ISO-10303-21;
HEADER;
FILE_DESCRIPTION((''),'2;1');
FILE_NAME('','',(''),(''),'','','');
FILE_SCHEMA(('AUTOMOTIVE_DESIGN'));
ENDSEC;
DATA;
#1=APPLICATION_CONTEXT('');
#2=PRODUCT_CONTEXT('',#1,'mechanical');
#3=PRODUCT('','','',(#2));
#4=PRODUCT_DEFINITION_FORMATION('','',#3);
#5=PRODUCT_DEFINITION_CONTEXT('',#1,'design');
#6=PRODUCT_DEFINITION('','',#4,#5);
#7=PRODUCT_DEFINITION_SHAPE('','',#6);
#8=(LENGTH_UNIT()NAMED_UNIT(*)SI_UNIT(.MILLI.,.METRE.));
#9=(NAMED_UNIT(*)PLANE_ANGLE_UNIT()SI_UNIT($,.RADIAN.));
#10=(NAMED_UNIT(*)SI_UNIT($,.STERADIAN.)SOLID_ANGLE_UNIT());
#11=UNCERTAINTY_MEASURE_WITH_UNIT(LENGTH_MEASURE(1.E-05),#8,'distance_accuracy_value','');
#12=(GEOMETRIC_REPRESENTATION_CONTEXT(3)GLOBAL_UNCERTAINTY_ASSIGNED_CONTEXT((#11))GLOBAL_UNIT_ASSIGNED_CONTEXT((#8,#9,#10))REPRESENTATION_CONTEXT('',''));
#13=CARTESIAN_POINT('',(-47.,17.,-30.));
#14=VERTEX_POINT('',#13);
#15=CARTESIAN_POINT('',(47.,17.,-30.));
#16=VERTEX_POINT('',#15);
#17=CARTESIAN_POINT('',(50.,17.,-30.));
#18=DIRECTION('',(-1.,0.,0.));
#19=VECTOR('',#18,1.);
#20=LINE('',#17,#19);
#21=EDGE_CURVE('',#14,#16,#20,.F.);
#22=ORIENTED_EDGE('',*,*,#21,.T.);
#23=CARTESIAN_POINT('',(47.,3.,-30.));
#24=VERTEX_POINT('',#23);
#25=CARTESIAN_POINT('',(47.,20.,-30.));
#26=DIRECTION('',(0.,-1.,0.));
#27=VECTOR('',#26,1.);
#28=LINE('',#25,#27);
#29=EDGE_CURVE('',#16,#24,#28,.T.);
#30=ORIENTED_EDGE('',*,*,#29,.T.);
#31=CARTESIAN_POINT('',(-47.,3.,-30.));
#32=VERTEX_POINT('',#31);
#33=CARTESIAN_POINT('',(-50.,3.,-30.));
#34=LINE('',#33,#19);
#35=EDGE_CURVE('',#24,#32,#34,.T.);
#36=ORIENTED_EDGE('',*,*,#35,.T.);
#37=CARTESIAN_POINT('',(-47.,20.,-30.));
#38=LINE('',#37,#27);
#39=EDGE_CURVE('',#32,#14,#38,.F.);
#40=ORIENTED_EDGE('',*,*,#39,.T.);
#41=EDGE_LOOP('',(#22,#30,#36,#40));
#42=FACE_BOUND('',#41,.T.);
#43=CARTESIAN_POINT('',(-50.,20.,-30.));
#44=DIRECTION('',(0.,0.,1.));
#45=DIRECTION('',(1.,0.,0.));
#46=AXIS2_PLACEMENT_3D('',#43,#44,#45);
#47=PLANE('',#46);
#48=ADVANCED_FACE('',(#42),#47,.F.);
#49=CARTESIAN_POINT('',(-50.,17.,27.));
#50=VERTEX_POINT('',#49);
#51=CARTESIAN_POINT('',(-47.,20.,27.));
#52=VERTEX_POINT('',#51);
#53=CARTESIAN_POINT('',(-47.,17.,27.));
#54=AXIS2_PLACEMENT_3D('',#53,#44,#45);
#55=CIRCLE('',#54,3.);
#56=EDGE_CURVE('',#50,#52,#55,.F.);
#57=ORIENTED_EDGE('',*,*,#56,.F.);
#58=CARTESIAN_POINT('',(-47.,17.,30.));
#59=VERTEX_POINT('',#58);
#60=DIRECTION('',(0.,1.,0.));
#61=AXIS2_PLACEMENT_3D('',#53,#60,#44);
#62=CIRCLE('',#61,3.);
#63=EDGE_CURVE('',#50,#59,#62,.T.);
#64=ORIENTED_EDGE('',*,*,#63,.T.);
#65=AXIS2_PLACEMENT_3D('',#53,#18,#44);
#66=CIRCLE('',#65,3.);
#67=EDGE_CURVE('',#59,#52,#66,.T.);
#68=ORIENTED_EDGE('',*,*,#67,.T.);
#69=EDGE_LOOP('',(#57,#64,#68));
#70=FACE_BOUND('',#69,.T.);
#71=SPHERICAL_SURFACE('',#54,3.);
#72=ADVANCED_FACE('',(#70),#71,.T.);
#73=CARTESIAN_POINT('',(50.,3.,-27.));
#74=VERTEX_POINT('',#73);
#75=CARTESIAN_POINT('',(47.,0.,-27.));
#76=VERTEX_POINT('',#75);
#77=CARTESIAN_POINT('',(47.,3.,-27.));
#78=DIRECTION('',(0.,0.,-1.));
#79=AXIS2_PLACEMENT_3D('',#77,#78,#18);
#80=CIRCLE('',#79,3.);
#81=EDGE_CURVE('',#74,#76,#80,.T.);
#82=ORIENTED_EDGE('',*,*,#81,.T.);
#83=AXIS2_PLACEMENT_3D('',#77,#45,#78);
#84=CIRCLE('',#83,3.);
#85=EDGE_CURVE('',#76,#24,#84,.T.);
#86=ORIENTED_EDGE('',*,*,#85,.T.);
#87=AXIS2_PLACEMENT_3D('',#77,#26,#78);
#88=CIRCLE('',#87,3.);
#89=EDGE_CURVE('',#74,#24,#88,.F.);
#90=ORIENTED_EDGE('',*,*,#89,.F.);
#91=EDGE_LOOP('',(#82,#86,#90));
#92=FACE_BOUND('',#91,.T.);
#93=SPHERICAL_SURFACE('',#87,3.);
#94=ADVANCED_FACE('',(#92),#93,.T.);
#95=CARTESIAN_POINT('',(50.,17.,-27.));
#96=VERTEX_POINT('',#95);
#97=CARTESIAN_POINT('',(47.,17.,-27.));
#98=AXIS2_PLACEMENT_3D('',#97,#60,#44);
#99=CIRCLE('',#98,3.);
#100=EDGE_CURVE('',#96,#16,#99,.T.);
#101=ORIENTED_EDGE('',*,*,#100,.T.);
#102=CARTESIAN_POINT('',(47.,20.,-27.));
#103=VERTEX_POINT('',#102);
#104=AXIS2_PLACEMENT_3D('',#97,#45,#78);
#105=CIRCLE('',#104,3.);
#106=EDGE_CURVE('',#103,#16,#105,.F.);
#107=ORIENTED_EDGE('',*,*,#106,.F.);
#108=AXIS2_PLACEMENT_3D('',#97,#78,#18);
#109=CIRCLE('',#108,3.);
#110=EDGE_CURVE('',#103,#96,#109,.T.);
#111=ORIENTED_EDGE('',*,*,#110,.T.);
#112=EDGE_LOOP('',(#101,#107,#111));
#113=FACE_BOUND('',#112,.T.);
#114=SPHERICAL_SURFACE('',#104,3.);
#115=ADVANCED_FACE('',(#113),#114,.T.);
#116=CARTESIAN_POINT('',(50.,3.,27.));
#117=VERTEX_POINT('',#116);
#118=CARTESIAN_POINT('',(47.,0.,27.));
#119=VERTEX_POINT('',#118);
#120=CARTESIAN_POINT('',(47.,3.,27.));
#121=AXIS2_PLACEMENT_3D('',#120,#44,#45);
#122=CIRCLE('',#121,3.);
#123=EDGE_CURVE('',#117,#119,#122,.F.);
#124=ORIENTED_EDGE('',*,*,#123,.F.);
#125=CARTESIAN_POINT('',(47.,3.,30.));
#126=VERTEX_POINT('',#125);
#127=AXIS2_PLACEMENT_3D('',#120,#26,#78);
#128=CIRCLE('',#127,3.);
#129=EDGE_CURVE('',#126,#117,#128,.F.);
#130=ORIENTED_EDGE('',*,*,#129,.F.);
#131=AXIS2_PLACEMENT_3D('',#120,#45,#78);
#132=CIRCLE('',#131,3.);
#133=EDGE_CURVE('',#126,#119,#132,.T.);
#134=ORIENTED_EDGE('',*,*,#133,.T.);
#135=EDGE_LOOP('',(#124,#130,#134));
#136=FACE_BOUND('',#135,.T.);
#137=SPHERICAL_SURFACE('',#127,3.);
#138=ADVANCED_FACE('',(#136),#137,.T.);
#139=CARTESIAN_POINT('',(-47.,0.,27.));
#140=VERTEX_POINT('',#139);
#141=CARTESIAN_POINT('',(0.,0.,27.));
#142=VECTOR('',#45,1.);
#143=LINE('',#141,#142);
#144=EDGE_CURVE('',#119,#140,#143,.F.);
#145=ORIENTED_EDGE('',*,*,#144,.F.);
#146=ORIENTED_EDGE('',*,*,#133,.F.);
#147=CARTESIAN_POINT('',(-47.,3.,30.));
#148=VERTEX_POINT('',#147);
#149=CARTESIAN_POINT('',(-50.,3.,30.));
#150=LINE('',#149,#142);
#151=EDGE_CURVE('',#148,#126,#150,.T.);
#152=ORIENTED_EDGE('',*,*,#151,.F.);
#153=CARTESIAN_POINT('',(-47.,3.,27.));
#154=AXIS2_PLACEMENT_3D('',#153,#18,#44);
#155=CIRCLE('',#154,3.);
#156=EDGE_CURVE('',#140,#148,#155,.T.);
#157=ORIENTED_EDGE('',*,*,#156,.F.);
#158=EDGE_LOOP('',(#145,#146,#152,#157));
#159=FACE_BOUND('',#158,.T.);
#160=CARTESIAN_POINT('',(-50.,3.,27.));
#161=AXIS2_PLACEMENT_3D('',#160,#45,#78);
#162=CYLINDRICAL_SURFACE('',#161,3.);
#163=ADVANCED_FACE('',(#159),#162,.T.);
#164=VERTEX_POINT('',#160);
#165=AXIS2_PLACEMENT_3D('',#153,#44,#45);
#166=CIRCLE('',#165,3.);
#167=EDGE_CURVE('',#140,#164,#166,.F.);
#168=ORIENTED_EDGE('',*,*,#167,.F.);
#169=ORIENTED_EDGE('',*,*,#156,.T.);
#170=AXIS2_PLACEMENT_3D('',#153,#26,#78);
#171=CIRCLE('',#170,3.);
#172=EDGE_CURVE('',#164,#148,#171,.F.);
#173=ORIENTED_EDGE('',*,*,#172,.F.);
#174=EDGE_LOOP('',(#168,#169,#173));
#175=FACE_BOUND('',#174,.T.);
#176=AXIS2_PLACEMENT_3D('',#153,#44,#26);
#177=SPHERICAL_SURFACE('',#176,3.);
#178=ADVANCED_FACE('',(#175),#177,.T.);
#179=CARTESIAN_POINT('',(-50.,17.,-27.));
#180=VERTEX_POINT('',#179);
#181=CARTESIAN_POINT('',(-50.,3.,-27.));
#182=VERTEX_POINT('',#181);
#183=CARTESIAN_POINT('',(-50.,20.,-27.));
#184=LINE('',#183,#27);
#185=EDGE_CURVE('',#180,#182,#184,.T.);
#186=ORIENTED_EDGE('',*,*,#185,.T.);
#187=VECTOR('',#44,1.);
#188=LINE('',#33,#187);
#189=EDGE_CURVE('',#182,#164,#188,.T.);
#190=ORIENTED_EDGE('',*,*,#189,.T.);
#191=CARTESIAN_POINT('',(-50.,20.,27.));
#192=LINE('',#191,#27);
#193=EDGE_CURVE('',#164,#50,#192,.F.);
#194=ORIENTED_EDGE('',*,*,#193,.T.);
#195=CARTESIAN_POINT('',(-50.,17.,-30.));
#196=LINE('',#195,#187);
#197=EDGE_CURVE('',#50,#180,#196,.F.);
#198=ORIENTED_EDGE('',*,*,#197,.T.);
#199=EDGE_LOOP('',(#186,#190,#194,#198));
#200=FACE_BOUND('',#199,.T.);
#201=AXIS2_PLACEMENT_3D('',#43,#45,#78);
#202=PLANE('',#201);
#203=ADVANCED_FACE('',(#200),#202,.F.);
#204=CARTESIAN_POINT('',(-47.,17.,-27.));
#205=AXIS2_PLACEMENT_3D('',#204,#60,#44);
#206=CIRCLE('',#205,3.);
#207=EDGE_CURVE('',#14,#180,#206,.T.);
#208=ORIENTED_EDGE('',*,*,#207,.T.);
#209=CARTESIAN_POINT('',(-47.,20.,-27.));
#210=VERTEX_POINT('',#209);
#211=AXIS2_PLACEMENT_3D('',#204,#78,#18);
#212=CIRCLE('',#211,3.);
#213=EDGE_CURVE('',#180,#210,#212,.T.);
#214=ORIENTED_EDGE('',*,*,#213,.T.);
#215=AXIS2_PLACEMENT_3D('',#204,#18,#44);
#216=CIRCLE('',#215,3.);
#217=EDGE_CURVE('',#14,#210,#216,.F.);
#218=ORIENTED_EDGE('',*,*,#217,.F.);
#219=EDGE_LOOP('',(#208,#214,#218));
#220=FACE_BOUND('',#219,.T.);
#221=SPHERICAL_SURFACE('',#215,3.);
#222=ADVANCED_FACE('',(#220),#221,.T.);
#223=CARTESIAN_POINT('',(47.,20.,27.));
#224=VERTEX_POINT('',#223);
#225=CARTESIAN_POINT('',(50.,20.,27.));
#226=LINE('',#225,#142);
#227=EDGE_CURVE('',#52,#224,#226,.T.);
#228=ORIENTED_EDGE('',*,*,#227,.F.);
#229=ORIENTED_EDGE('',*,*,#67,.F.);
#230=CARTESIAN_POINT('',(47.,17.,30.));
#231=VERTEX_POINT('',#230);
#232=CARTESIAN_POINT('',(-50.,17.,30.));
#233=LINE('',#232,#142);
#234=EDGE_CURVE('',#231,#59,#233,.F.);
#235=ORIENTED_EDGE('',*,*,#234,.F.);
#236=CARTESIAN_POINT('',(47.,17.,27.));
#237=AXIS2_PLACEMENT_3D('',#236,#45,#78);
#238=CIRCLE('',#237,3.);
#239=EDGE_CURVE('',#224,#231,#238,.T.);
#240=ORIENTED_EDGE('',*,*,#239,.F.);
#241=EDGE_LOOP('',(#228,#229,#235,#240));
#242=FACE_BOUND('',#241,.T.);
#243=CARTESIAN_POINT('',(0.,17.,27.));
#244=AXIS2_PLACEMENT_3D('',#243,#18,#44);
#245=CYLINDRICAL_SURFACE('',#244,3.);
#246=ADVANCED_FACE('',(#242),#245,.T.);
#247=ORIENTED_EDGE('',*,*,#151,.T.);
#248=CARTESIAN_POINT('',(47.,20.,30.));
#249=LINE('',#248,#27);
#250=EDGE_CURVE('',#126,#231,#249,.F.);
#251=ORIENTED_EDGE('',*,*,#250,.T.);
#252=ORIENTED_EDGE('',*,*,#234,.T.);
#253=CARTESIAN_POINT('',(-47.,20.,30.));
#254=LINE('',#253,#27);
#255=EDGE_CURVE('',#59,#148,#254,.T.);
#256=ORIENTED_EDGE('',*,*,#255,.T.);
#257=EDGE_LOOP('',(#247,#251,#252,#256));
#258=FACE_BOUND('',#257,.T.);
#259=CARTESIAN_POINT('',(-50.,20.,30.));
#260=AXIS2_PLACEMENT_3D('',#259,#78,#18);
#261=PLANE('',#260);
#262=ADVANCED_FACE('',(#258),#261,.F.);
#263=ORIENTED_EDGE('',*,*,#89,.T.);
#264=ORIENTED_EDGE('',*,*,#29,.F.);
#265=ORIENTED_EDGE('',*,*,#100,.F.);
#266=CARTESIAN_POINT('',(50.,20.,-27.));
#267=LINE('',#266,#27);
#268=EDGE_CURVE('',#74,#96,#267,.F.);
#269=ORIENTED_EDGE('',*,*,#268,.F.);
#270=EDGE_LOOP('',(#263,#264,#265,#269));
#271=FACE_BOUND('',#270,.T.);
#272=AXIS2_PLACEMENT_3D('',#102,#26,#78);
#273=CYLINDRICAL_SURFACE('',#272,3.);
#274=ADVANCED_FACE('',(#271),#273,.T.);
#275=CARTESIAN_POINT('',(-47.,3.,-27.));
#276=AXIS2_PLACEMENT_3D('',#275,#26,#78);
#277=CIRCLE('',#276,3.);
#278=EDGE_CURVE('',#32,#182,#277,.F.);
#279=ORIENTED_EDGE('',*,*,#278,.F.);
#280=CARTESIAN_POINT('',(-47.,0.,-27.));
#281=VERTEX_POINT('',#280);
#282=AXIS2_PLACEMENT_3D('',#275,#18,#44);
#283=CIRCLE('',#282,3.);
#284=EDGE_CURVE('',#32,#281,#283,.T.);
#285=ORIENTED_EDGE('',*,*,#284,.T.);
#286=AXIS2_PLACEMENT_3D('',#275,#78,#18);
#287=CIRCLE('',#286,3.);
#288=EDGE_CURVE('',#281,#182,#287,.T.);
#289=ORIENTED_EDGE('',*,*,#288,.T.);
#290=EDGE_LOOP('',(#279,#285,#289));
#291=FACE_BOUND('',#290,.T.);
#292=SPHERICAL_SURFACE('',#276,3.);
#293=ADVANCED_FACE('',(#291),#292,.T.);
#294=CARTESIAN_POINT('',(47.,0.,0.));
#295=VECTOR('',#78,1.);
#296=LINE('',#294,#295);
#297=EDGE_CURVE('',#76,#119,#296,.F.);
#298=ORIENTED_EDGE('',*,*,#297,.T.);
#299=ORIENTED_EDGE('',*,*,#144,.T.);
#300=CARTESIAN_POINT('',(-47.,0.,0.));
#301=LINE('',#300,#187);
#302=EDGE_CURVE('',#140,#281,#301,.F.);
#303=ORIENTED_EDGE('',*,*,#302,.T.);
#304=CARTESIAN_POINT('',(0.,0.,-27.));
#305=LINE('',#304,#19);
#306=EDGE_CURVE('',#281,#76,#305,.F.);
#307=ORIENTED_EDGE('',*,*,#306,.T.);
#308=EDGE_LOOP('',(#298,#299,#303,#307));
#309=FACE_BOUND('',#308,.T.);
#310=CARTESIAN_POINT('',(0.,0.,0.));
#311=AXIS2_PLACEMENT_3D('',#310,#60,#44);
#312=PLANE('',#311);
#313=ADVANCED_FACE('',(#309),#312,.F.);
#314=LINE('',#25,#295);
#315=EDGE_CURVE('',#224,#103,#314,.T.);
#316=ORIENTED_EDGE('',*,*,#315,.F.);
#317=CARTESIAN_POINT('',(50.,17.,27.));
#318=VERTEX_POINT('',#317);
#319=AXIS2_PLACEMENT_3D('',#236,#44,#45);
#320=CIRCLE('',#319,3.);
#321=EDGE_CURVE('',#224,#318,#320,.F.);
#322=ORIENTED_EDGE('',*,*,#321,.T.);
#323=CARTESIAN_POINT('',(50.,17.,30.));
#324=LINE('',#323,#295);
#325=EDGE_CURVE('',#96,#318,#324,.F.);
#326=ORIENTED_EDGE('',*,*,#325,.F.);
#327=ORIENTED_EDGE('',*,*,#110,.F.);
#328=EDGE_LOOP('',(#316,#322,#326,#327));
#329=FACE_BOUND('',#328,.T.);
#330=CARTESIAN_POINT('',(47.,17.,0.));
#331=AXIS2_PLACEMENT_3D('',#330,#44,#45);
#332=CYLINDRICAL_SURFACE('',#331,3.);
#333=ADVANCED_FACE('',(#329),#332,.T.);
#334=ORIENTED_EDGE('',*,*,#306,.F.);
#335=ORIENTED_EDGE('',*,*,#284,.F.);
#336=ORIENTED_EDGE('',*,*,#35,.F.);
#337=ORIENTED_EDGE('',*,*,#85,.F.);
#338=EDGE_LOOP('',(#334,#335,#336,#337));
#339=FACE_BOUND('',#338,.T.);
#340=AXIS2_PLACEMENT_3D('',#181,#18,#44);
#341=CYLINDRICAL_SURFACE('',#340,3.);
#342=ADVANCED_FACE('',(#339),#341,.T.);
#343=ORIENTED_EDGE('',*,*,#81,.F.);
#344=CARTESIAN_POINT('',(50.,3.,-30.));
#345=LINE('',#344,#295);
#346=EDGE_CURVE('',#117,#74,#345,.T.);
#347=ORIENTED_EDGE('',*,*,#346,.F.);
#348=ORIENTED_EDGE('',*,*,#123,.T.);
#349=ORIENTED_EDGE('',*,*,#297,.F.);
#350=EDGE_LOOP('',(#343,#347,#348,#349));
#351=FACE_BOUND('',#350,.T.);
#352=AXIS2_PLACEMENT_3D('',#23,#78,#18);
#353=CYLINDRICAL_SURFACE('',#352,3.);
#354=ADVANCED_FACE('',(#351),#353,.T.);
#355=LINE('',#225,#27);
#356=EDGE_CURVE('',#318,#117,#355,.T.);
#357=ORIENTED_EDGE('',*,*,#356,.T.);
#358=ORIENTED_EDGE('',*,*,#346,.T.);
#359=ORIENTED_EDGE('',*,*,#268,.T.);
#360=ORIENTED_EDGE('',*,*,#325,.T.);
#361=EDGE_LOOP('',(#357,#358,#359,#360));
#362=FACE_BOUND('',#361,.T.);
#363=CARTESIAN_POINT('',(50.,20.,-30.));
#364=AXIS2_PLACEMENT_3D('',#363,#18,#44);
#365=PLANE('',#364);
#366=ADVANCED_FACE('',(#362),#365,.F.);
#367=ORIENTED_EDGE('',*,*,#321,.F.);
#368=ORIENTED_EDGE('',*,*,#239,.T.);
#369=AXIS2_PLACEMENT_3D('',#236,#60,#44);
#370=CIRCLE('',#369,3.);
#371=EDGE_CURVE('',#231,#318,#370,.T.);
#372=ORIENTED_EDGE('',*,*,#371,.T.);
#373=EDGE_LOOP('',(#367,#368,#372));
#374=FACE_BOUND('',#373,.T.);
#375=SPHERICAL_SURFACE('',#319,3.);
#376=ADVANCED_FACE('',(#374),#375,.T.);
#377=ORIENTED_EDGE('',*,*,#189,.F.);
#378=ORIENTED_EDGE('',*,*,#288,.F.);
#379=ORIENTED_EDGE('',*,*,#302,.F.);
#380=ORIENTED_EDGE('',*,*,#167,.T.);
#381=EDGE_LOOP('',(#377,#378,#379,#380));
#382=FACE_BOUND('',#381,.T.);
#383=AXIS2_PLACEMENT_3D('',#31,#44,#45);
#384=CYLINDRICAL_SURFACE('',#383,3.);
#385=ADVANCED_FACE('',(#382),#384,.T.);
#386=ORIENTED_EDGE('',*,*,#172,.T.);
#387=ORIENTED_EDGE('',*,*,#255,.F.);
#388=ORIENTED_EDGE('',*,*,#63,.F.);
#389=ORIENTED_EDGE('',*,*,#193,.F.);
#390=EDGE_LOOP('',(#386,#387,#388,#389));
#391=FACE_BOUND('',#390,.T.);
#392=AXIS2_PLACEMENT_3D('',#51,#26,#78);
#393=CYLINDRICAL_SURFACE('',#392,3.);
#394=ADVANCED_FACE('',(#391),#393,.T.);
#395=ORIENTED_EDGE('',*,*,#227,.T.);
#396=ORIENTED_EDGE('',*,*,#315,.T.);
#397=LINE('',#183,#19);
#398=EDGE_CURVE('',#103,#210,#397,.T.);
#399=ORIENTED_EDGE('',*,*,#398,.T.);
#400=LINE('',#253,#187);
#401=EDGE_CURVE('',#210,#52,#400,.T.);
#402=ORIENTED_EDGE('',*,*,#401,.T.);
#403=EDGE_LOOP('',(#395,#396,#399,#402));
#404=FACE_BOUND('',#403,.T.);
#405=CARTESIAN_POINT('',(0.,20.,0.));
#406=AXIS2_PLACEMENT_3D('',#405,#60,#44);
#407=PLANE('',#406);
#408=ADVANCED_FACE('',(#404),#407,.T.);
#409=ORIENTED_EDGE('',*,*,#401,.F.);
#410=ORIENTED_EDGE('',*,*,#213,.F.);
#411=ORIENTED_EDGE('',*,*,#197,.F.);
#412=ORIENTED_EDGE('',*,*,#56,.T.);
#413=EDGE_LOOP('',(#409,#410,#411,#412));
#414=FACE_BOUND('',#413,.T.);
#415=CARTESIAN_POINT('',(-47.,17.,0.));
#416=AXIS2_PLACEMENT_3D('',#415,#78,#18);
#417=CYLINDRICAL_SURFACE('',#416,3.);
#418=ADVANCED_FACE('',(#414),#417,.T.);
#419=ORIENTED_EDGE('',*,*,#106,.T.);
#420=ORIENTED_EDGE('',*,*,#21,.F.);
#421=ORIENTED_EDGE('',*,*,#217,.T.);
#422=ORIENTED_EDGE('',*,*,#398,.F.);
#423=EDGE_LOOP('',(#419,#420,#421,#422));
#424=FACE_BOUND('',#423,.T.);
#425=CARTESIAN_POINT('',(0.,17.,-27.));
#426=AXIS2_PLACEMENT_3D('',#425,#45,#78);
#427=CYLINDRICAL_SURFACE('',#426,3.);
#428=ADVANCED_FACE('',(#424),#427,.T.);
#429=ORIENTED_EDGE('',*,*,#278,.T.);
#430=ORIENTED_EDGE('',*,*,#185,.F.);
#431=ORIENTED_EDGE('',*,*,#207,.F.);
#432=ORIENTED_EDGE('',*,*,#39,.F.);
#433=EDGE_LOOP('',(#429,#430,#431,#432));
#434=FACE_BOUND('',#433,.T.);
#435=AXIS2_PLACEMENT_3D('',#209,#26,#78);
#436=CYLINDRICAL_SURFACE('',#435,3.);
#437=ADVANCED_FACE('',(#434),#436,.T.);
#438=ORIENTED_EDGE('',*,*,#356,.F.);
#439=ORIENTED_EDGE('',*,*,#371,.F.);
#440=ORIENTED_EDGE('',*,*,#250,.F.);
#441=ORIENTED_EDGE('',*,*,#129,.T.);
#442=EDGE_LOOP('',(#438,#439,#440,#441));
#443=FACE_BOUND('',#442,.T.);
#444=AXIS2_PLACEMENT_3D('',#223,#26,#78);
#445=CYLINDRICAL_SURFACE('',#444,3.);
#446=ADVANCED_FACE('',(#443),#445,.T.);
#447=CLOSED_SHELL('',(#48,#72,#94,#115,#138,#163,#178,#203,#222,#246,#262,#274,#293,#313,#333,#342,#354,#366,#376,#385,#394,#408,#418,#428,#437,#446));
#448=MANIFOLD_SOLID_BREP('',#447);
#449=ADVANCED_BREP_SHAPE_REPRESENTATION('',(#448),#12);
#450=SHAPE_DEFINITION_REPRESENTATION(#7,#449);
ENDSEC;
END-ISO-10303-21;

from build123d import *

# Parameters (mm, degrees)
SKETCH_1_W      = 100
SKETCH_1_H      = 60
EXTRUDE_1_DEPTH = 20
FILLET_1_R      = 3


with BuildPart() as part:
    # 草图1 → 凸台-拉伸1 (new body)
    with BuildSketch(Plane(origin=(0, 0, 0), x_dir=(1, 0, 0), z_dir=(0, 1, 0))):
        Rectangle(SKETCH_1_W, SKETCH_1_H)
    extrude(amount=EXTRUDE_1_DEPTH)

    # 圆角1
    fillet_1_edges = [part.edges().sort_by_distance(p)[0] for p in [
        (-50, 20, 0),
        (0, 20, 30),
        (50, 20, 0),
        (0, 0, 30),
        (-50, 0, 0),
        (0, 0, -30),
        (50, 0, 0),
        (50, 10, 30),
        (-50, 10, 30),
        (-50, 10, -30),
        (50, 10, -30),
        (0, 20, -30),
    ]]
    fillet(fillet_1_edges, radius=FILLET_1_R)


solid = part.part
